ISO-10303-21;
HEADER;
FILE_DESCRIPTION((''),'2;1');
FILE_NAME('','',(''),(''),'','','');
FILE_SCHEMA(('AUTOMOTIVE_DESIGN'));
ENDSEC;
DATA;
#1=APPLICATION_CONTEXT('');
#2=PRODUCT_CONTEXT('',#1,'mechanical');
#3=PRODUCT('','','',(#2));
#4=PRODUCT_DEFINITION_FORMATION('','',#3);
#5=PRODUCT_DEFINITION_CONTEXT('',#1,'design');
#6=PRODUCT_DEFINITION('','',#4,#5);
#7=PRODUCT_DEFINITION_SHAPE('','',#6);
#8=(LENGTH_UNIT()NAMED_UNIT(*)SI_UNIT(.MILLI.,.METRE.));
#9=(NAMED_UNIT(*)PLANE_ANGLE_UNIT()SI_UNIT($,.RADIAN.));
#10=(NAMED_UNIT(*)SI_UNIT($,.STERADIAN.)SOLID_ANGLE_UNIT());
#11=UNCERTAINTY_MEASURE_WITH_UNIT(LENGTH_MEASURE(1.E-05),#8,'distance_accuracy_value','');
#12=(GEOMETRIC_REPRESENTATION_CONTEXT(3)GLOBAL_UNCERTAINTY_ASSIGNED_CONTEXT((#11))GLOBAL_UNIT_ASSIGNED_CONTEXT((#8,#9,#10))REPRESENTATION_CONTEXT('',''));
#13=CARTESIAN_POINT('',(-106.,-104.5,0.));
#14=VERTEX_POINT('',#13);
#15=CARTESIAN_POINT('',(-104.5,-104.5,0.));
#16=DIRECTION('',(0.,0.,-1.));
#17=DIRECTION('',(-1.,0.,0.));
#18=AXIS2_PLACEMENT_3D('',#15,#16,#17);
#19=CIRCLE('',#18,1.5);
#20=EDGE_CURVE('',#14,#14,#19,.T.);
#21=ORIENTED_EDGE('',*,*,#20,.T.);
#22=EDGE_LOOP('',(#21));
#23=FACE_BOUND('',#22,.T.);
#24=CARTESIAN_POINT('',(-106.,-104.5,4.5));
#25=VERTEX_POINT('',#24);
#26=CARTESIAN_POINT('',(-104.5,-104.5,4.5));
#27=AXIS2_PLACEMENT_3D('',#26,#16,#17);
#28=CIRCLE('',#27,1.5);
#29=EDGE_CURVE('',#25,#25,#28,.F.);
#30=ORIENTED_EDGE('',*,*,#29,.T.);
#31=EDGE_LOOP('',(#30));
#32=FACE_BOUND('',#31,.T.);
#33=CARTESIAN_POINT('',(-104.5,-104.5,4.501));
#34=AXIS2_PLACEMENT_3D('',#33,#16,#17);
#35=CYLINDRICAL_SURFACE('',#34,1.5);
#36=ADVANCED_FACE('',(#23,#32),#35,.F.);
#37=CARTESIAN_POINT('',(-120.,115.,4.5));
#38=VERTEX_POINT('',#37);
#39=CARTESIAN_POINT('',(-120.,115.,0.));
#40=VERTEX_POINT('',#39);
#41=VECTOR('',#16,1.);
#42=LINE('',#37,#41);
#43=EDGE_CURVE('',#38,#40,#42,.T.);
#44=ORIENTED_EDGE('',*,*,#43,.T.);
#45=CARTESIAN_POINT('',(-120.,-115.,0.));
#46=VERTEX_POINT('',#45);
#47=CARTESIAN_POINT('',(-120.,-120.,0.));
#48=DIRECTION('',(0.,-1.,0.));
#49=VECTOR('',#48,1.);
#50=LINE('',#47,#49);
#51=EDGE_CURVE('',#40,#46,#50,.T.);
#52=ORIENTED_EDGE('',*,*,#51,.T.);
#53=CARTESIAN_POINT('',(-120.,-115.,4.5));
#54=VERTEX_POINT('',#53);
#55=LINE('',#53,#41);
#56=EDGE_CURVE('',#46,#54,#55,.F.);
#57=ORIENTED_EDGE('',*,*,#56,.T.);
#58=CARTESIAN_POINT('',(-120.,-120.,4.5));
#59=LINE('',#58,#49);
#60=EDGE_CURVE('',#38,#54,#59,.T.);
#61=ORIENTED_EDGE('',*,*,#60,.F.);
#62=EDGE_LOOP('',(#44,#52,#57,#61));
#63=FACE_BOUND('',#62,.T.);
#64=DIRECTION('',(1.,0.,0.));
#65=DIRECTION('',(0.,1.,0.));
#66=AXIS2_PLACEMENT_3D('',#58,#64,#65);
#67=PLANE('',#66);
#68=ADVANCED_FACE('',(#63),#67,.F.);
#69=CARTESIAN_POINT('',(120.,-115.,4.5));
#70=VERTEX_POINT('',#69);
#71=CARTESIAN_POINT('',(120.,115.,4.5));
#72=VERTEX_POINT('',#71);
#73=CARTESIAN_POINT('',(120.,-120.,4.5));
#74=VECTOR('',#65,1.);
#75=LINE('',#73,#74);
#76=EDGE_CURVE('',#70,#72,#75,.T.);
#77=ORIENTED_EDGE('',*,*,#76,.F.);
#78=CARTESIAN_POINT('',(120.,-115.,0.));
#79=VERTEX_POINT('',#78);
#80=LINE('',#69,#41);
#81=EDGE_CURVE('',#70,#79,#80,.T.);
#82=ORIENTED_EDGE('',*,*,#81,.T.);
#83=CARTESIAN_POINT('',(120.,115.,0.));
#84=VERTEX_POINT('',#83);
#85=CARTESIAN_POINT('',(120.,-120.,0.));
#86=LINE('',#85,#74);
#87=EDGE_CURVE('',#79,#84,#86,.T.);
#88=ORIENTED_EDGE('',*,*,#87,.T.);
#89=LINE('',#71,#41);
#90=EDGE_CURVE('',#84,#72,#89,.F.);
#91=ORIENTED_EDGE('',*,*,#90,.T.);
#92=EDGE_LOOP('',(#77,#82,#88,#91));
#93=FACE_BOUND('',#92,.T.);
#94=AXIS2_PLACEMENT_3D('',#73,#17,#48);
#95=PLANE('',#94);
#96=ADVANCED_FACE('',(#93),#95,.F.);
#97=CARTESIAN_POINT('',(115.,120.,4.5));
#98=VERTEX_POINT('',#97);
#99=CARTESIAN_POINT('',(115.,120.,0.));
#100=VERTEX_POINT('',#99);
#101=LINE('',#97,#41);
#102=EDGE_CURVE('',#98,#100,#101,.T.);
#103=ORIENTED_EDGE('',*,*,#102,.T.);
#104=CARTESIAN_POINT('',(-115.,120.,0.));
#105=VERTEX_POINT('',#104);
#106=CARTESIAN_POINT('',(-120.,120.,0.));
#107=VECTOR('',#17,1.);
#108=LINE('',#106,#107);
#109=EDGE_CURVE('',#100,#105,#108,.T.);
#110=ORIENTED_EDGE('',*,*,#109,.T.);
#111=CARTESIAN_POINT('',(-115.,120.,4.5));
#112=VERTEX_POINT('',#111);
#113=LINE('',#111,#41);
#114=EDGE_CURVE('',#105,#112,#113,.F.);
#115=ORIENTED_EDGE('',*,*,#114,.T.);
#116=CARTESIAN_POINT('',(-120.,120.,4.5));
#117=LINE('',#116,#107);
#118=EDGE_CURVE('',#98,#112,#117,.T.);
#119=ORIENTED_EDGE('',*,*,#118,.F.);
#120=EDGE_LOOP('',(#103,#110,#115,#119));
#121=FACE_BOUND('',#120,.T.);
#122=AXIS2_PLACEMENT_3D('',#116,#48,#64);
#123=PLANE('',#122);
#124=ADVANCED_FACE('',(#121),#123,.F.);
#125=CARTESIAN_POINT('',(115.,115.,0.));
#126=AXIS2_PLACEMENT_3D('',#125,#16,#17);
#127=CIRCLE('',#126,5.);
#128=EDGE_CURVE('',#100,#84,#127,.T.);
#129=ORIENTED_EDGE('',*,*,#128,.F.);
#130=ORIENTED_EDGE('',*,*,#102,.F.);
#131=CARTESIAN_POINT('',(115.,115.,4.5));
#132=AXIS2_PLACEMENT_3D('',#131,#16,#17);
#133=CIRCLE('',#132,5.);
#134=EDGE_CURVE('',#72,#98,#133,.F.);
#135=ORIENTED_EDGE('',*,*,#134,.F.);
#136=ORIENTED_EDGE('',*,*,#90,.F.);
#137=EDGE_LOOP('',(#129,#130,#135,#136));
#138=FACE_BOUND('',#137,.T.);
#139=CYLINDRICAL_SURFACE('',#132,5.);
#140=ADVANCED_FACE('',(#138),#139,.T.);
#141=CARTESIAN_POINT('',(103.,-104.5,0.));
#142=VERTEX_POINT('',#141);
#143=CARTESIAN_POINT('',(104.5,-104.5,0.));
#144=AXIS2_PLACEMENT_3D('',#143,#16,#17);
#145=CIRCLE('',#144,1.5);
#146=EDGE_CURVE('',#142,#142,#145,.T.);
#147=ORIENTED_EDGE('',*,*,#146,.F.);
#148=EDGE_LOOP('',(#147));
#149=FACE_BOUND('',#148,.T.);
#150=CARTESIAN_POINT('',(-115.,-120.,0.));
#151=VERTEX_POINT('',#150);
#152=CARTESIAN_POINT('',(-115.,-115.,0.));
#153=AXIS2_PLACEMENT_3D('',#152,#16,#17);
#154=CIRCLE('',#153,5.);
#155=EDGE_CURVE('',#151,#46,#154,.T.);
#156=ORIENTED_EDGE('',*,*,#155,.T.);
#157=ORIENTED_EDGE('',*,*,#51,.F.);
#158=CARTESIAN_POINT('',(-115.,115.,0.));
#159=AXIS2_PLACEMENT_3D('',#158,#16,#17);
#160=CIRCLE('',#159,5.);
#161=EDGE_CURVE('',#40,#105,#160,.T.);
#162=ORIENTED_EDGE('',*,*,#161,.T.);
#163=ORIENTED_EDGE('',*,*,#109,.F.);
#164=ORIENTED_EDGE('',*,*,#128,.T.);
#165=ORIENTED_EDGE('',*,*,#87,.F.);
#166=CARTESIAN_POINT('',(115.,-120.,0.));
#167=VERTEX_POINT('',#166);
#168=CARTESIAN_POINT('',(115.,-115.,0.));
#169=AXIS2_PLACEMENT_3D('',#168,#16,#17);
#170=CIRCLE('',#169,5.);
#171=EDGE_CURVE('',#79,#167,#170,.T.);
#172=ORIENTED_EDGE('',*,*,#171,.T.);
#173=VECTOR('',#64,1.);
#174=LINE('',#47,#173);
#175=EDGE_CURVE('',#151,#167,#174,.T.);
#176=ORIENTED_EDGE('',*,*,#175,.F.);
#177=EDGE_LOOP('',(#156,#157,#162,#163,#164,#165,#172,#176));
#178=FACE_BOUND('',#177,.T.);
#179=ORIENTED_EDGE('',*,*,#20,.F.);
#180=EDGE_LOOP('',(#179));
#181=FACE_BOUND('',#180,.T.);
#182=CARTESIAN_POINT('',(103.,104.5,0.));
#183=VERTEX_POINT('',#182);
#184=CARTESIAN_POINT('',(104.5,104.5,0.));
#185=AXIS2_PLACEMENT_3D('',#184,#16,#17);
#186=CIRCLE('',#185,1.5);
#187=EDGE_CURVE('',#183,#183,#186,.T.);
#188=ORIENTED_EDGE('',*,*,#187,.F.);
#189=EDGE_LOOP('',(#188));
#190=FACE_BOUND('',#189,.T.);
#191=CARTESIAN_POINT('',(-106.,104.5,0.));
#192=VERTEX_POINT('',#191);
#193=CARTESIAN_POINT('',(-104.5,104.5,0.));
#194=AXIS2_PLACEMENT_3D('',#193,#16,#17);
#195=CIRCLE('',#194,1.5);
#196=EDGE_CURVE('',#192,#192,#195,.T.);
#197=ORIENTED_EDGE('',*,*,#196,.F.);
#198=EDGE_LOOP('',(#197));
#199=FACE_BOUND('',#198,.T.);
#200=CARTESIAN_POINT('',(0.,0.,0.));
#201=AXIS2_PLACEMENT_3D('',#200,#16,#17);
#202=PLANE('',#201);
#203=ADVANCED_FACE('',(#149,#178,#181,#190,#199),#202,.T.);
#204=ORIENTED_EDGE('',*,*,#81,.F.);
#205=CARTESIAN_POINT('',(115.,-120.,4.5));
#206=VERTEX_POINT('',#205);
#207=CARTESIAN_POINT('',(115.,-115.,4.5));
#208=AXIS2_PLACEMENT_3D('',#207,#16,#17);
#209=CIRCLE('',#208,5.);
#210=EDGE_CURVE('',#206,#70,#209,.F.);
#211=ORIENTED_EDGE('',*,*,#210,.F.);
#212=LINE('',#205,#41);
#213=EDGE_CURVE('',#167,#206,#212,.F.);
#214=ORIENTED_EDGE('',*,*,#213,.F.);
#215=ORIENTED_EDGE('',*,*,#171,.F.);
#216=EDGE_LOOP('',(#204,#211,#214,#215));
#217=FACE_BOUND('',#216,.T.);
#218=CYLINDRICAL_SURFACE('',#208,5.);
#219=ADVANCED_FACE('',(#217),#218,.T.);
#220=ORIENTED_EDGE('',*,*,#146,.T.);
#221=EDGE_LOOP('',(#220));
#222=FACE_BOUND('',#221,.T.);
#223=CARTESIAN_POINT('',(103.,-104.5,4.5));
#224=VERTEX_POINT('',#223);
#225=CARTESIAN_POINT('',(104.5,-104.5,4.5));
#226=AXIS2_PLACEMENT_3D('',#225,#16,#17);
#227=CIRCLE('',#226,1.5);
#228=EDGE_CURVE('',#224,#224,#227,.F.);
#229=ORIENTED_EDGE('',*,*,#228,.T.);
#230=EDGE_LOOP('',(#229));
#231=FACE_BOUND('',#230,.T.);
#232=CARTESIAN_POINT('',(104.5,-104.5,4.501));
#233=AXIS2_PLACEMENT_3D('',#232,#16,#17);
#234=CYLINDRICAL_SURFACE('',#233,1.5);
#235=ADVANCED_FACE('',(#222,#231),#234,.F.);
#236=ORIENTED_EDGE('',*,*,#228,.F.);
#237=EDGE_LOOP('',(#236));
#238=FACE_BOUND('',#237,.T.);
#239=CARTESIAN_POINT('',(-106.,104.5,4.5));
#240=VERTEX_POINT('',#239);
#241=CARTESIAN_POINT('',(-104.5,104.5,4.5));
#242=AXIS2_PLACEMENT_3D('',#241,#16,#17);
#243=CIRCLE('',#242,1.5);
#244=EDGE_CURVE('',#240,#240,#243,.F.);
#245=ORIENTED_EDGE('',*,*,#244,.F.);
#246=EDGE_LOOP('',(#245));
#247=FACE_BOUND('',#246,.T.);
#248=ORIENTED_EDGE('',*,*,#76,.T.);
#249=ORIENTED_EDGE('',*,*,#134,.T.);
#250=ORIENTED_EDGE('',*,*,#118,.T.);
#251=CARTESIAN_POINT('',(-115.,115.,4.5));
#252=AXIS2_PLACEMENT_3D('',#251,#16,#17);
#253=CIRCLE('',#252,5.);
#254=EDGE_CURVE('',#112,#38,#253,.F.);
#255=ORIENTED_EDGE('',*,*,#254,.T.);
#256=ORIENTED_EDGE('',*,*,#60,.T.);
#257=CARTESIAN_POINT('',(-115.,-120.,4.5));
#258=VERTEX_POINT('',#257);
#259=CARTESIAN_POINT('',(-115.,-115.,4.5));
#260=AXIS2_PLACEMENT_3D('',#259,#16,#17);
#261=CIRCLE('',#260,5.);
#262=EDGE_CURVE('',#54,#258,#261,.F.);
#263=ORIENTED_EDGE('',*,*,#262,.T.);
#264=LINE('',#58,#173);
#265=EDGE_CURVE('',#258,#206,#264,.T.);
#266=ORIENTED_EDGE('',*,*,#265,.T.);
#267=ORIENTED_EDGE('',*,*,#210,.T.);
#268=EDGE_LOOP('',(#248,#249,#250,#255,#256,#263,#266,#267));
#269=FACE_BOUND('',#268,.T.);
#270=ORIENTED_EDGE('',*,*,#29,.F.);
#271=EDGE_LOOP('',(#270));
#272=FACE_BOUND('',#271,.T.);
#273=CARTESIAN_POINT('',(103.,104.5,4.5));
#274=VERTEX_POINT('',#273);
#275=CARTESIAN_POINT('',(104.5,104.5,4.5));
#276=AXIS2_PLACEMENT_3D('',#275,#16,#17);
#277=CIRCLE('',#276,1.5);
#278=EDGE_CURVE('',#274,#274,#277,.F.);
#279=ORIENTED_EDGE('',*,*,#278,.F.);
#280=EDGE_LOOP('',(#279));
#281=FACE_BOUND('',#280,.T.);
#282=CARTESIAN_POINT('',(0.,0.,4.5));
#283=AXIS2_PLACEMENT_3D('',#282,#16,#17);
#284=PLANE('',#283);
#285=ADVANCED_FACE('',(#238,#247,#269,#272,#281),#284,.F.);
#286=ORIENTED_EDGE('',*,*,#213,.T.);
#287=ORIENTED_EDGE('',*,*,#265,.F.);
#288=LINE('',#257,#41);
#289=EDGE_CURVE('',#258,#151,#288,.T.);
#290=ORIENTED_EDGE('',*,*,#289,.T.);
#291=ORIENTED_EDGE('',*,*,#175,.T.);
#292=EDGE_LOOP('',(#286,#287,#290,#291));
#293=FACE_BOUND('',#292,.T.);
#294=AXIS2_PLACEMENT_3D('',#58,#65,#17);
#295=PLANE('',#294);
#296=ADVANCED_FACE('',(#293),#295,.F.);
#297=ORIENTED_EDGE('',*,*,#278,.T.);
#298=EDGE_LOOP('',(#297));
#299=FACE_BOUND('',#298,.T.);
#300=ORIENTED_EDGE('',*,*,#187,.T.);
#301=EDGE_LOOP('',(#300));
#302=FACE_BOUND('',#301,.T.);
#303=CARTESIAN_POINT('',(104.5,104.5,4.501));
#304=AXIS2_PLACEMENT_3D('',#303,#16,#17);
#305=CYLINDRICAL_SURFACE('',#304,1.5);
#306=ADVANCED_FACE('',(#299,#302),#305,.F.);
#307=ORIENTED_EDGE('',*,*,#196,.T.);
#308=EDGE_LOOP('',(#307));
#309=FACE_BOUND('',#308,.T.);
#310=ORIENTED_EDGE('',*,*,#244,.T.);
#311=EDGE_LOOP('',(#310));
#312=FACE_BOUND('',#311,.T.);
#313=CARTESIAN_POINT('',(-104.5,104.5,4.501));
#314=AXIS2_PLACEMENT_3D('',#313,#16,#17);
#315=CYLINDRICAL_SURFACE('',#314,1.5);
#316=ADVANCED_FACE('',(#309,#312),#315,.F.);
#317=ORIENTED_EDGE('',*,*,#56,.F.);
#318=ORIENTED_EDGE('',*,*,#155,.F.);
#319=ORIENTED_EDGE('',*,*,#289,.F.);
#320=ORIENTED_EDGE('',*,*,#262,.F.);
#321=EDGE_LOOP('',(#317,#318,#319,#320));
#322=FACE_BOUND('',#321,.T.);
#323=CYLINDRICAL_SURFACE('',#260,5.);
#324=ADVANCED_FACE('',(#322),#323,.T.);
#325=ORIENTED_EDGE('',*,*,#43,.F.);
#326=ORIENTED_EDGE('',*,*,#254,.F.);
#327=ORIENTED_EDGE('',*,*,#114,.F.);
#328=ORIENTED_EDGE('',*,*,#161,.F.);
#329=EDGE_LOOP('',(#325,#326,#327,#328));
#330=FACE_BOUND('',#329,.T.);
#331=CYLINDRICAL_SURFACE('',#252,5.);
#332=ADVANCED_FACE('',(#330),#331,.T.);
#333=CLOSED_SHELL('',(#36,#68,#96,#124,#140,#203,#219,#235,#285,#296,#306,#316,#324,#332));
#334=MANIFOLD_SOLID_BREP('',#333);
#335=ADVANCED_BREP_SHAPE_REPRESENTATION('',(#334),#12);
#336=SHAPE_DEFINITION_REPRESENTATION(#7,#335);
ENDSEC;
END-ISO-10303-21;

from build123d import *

# Parameters (mm, degrees)
SZKIC1_W                    = 240
SZKIC1_H                    = 240
DODANIE_WYCI_GNI_CIE1_DEPTH = 4.5
WYTNIJ_WYCI_GNI_CIE1_REACH  = 171.765
SZKIC2_R                    = 1.5
ZAOKR_GLENIE1_R             = 5


with BuildPart() as part:
    # Szkic1 → Dodanie-wyciągnięcie1 (new body)
    with BuildSketch(Plane.XY):
        Rectangle(SZKIC1_W, SZKIC1_H)
    extrude(amount=DODANIE_WYCI_GNI_CIE1_DEPTH)

    # Szkic2 → Wytnij-wyciągnięcie1 (cut, up to next)
    with BuildSketch(Plane(origin=(0, 0, 0), x_dir=(-1, 0, 0), z_dir=(0, 0, -1)), mode=Mode.PRIVATE) as wytnij_wyci_gni_cie1_sk1:
        with Locations((-104.5, 104.5)):
            Circle(SZKIC2_R)
    wytnij_wyci_gni_cie1_tool1 = extrude(wytnij_wyci_gni_cie1_sk1.sketch, amount=-WYTNIJ_WYCI_GNI_CIE1_REACH, mode=Mode.PRIVATE) & part.part
    # Szkic2 → Wytnij-wyciągnięcie1 (cut, up to next)
    with BuildSketch(Plane(origin=(0, 0, 0), x_dir=(-1, 0, 0), z_dir=(0, 0, -1)), mode=Mode.PRIVATE) as wytnij_wyci_gni_cie1_sk2:
        with Locations((104.5, 104.5)):
            Circle(SZKIC2_R)
    wytnij_wyci_gni_cie1_tool2 = extrude(wytnij_wyci_gni_cie1_sk2.sketch, amount=-WYTNIJ_WYCI_GNI_CIE1_REACH, mode=Mode.PRIVATE) & part.part
    # Szkic2 → Wytnij-wyciągnięcie1 (cut, up to next)
    with BuildSketch(Plane(origin=(0, 0, 0), x_dir=(-1, 0, 0), z_dir=(0, 0, -1)), mode=Mode.PRIVATE) as wytnij_wyci_gni_cie1_sk3:
        with Locations((-104.5, -104.5)):
            Circle(SZKIC2_R)
    wytnij_wyci_gni_cie1_tool3 = extrude(wytnij_wyci_gni_cie1_sk3.sketch, amount=-WYTNIJ_WYCI_GNI_CIE1_REACH, mode=Mode.PRIVATE) & part.part
    # Szkic2 → Wytnij-wyciągnięcie1 (cut, up to next)
    with BuildSketch(Plane(origin=(0, 0, 0), x_dir=(-1, 0, 0), z_dir=(0, 0, -1)), mode=Mode.PRIVATE) as wytnij_wyci_gni_cie1_sk4:
        with Locations((104.5, -104.5)):
            Circle(SZKIC2_R)
    wytnij_wyci_gni_cie1_tool4 = extrude(wytnij_wyci_gni_cie1_sk4.sketch, amount=-WYTNIJ_WYCI_GNI_CIE1_REACH, mode=Mode.PRIVATE) & part.part
    add(wytnij_wyci_gni_cie1_tool1.solids().sort_by_distance((104.5, 104.5, 0))[0], mode=Mode.SUBTRACT)
    add(wytnij_wyci_gni_cie1_tool2.solids().sort_by_distance((-104.5, 104.5, 0))[0], mode=Mode.SUBTRACT)
    add(wytnij_wyci_gni_cie1_tool3.solids().sort_by_distance((104.5, -104.5, 0))[0], mode=Mode.SUBTRACT)
    add(wytnij_wyci_gni_cie1_tool4.solids().sort_by_distance((-104.5, -104.5, 0))[0], mode=Mode.SUBTRACT)

    # Zaokrąglenie1
    zaokr_glenie1_edges = [part.edges().sort_by_distance(p)[0] for p in [
        (120, -120, 2.25),
        (-120, -120, 2.25),
        (-120, 120, 2.25),
        (120, 120, 2.25),
    ]]
    fillet(zaokr_glenie1_edges, radius=ZAOKR_GLENIE1_R)


solid = part.part
